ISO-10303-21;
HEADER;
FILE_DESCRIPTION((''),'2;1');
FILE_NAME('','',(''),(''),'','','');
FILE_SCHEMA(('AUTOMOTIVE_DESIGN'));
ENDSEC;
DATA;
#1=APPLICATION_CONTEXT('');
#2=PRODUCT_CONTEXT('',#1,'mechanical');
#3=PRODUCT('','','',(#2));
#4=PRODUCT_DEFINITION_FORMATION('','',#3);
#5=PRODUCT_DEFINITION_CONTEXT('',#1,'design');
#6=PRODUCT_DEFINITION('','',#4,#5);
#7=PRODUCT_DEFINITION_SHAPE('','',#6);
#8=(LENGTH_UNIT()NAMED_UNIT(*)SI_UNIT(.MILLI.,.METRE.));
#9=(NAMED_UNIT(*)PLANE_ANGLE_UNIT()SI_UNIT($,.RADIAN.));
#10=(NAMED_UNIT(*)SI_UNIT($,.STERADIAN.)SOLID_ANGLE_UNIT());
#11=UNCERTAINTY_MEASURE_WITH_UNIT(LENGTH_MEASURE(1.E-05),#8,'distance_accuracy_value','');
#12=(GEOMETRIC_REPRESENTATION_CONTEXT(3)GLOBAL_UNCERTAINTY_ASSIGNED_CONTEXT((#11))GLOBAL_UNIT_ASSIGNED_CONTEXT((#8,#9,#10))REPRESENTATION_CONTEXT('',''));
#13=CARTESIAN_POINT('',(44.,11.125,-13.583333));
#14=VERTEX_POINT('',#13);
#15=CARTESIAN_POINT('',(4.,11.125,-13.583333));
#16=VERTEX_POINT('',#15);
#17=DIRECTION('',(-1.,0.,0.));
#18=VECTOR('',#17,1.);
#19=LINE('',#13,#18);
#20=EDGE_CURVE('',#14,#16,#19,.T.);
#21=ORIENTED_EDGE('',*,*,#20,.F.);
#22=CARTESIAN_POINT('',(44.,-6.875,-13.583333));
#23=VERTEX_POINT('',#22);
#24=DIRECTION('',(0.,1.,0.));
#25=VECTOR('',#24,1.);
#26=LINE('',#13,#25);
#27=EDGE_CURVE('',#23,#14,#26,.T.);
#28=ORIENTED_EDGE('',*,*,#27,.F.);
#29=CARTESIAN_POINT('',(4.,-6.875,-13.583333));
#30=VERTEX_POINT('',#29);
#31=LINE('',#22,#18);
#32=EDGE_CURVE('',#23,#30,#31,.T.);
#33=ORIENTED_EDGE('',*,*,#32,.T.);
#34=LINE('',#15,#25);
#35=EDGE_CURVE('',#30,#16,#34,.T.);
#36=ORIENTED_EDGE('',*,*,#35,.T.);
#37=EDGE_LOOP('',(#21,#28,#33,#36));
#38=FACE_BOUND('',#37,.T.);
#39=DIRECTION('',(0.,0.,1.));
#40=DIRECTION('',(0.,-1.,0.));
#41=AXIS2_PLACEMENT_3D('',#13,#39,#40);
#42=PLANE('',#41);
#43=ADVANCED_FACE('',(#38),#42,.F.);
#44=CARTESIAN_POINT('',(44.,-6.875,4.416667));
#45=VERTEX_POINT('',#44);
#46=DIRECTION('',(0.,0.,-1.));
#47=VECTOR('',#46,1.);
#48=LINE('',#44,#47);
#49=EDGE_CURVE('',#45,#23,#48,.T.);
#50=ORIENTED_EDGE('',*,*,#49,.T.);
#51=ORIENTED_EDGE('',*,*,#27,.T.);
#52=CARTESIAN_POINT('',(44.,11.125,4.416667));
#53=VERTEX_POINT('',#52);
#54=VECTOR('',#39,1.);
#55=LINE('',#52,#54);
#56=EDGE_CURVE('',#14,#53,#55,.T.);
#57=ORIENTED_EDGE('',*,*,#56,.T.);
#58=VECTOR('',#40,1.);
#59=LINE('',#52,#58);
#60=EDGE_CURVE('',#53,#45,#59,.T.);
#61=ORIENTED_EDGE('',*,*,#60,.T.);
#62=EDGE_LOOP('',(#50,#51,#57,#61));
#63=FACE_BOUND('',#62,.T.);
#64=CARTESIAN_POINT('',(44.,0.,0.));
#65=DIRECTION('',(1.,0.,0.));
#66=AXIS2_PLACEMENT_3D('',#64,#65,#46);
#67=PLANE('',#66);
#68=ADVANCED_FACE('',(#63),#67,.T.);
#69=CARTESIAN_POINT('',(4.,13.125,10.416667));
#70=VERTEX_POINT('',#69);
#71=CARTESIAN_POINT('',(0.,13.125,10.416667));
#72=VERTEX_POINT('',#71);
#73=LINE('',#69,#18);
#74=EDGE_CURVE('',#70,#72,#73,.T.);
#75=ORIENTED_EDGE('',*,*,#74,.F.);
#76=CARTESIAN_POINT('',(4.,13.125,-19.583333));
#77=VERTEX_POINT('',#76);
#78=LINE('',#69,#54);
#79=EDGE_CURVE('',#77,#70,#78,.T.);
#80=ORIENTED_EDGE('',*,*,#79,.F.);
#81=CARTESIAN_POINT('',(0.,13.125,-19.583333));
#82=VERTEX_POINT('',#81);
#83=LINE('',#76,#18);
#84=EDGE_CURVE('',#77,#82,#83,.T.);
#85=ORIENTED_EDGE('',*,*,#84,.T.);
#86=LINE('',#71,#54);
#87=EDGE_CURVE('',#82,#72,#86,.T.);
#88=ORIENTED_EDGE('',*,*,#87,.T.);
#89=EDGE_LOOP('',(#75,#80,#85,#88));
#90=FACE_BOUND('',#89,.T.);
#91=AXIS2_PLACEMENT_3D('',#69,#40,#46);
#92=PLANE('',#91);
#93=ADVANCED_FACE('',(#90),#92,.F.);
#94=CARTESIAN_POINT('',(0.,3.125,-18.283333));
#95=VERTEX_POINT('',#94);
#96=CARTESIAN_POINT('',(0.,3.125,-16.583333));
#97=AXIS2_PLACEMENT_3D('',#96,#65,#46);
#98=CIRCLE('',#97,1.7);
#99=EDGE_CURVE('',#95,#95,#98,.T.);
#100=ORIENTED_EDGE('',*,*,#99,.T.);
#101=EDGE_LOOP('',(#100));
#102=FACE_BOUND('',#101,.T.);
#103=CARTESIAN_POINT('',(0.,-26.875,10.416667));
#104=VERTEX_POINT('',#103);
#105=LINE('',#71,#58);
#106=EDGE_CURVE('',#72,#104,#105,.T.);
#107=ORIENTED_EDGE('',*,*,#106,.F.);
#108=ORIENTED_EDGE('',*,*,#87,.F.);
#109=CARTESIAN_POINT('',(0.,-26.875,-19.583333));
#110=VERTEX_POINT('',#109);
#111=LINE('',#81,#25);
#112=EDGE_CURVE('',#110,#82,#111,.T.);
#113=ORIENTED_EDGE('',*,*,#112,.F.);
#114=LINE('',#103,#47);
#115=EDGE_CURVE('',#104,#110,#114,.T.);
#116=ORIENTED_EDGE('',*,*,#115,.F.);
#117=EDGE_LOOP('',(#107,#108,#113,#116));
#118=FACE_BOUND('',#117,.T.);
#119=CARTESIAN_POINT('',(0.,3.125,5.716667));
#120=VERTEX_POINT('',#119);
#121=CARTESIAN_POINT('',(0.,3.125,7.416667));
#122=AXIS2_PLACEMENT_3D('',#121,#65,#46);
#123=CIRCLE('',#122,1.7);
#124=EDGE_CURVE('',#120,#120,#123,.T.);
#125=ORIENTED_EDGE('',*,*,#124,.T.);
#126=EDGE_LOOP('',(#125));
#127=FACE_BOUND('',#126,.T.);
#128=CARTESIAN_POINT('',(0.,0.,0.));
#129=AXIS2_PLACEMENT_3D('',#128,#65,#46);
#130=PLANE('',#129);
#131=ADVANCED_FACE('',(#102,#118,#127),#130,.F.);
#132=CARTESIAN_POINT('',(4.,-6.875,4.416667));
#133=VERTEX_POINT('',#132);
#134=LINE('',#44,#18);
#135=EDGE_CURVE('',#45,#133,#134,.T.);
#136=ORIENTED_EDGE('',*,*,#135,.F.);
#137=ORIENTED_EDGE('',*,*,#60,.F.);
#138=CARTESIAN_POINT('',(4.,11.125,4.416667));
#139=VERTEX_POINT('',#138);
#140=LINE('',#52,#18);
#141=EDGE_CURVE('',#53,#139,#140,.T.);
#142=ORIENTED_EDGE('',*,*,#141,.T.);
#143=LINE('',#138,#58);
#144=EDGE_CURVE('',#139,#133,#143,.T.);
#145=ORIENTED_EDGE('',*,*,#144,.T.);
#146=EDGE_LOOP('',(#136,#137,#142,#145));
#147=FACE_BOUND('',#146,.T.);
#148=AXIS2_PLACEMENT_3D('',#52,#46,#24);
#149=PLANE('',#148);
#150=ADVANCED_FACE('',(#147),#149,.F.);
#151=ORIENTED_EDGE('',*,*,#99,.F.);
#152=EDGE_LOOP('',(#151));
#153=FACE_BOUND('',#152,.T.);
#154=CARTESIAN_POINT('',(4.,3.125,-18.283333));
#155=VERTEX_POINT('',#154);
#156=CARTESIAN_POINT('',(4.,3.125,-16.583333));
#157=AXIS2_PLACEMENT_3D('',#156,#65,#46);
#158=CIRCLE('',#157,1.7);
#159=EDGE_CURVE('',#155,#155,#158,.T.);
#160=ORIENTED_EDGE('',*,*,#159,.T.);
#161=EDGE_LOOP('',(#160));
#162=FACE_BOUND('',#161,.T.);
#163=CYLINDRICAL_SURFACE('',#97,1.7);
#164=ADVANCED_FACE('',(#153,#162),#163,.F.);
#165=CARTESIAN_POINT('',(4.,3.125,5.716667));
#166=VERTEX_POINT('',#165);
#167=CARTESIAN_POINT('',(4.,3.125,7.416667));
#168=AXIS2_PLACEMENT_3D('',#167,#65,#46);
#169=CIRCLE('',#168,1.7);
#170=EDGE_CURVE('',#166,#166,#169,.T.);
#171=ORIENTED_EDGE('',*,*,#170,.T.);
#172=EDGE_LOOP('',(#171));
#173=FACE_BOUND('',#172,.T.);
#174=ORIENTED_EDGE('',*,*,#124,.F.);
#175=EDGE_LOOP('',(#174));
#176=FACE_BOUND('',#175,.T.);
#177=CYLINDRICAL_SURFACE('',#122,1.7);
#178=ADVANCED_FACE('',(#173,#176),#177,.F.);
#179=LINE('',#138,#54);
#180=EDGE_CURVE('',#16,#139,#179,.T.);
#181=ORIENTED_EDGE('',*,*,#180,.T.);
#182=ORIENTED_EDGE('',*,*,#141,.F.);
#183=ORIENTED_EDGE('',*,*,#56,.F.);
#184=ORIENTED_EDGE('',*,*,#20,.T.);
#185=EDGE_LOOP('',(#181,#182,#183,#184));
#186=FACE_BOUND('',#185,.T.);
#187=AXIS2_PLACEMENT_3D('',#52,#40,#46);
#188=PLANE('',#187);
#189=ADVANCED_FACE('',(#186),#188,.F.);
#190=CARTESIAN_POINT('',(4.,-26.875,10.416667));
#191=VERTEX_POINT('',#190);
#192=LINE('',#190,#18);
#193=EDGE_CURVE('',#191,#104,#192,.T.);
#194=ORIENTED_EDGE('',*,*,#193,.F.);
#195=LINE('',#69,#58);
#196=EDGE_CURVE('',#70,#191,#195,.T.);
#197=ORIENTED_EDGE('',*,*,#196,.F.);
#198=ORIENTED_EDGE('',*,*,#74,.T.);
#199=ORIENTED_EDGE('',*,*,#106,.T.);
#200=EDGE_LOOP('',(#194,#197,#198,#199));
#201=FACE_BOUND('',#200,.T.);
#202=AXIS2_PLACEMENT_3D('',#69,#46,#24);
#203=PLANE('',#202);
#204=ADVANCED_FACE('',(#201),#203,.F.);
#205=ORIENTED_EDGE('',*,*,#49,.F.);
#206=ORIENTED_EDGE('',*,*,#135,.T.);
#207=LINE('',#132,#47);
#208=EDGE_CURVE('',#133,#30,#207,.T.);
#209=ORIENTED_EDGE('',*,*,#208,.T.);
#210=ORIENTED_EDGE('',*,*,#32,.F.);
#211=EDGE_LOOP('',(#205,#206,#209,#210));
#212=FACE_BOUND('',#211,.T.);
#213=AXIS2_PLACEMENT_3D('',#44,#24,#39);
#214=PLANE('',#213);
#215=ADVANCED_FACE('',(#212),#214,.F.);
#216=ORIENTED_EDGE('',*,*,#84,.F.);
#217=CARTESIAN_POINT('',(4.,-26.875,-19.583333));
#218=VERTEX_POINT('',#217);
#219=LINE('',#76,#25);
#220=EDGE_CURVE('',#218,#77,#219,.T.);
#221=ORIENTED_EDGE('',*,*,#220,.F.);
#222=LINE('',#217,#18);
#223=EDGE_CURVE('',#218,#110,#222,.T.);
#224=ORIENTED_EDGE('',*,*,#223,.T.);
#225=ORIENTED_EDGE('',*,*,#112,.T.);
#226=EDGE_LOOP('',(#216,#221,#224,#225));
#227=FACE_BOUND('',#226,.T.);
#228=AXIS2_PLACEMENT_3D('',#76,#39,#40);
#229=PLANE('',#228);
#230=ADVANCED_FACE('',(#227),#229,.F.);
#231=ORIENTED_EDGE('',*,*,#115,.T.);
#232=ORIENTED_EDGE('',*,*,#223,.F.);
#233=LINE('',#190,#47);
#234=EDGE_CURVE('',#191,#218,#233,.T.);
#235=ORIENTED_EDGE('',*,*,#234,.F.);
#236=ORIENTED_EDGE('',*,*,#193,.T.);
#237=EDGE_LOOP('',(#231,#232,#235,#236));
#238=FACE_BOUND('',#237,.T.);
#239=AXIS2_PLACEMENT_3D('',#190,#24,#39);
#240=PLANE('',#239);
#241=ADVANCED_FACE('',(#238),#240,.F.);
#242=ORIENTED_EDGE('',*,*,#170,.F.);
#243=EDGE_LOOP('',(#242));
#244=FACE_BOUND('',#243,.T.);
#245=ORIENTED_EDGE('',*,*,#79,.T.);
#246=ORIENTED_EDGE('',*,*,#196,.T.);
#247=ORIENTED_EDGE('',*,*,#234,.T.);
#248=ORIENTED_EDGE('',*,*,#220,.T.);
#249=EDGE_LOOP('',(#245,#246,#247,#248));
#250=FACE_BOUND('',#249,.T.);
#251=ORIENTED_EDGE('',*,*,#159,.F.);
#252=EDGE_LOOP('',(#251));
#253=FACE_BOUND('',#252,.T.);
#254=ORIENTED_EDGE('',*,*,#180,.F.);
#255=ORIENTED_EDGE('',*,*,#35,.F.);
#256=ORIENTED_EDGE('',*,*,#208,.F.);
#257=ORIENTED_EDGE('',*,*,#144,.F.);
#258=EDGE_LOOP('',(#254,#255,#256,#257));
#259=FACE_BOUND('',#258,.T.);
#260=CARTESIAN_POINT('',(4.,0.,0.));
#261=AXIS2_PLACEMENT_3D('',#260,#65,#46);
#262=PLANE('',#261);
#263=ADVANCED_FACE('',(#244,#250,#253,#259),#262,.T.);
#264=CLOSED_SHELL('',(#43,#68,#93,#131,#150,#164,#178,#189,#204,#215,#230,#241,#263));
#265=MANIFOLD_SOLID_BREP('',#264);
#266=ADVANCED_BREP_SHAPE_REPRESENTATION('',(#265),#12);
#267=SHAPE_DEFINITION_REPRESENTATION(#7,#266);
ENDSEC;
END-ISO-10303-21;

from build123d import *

# Parameters (mm, degrees)
SKETCH1_W           = 30
SKETCH1_H           = 40
BOSS_EXTRUDE1_DEPTH = 4
SKETCH2_W           = 18
SKETCH2_H           = 18
BOSS_EXTRUDE2_DEPTH = 40
SKETCH3_R           = 1.7
CUT_EXTRUDE1_DEPTH  = 53.017041145


with BuildPart() as part:
    # Sketch1 → Boss-Extrude1 (new body)
    with BuildSketch(Plane(origin=(0, 0, 0), x_dir=(0, 0, -1), z_dir=(1, 0, 0))):
        with Locations((4.583333333, -6.875)):
            Rectangle(SKETCH1_W, SKETCH1_H)
    extrude(amount=BOSS_EXTRUDE1_DEPTH)

    # Sketch2 → Boss-Extrude2 (add)
    with BuildSketch(Plane(origin=(4, 0, 0), x_dir=(0, 0, -1), z_dir=(1, 0, 0))):
        with Locations((4.583333333, 2.125)):
            Rectangle(SKETCH2_W, SKETCH2_H)
    extrude(amount=BOSS_EXTRUDE2_DEPTH)

    # Sketch3 → Cut-Extrude1 (cut, through all)
    with BuildSketch(Plane(origin=(4, 0, 0), x_dir=(0, 0, -1), z_dir=(1, 0, 0))):
        with Locations((-7.416666667, 3.125)):
            Circle(SKETCH3_R)
        with Locations((16.583333333, 3.125)):
            Circle(SKETCH3_R)
    extrude(amount=-CUT_EXTRUDE1_DEPTH, mode=Mode.SUBTRACT)


solid = part.part
